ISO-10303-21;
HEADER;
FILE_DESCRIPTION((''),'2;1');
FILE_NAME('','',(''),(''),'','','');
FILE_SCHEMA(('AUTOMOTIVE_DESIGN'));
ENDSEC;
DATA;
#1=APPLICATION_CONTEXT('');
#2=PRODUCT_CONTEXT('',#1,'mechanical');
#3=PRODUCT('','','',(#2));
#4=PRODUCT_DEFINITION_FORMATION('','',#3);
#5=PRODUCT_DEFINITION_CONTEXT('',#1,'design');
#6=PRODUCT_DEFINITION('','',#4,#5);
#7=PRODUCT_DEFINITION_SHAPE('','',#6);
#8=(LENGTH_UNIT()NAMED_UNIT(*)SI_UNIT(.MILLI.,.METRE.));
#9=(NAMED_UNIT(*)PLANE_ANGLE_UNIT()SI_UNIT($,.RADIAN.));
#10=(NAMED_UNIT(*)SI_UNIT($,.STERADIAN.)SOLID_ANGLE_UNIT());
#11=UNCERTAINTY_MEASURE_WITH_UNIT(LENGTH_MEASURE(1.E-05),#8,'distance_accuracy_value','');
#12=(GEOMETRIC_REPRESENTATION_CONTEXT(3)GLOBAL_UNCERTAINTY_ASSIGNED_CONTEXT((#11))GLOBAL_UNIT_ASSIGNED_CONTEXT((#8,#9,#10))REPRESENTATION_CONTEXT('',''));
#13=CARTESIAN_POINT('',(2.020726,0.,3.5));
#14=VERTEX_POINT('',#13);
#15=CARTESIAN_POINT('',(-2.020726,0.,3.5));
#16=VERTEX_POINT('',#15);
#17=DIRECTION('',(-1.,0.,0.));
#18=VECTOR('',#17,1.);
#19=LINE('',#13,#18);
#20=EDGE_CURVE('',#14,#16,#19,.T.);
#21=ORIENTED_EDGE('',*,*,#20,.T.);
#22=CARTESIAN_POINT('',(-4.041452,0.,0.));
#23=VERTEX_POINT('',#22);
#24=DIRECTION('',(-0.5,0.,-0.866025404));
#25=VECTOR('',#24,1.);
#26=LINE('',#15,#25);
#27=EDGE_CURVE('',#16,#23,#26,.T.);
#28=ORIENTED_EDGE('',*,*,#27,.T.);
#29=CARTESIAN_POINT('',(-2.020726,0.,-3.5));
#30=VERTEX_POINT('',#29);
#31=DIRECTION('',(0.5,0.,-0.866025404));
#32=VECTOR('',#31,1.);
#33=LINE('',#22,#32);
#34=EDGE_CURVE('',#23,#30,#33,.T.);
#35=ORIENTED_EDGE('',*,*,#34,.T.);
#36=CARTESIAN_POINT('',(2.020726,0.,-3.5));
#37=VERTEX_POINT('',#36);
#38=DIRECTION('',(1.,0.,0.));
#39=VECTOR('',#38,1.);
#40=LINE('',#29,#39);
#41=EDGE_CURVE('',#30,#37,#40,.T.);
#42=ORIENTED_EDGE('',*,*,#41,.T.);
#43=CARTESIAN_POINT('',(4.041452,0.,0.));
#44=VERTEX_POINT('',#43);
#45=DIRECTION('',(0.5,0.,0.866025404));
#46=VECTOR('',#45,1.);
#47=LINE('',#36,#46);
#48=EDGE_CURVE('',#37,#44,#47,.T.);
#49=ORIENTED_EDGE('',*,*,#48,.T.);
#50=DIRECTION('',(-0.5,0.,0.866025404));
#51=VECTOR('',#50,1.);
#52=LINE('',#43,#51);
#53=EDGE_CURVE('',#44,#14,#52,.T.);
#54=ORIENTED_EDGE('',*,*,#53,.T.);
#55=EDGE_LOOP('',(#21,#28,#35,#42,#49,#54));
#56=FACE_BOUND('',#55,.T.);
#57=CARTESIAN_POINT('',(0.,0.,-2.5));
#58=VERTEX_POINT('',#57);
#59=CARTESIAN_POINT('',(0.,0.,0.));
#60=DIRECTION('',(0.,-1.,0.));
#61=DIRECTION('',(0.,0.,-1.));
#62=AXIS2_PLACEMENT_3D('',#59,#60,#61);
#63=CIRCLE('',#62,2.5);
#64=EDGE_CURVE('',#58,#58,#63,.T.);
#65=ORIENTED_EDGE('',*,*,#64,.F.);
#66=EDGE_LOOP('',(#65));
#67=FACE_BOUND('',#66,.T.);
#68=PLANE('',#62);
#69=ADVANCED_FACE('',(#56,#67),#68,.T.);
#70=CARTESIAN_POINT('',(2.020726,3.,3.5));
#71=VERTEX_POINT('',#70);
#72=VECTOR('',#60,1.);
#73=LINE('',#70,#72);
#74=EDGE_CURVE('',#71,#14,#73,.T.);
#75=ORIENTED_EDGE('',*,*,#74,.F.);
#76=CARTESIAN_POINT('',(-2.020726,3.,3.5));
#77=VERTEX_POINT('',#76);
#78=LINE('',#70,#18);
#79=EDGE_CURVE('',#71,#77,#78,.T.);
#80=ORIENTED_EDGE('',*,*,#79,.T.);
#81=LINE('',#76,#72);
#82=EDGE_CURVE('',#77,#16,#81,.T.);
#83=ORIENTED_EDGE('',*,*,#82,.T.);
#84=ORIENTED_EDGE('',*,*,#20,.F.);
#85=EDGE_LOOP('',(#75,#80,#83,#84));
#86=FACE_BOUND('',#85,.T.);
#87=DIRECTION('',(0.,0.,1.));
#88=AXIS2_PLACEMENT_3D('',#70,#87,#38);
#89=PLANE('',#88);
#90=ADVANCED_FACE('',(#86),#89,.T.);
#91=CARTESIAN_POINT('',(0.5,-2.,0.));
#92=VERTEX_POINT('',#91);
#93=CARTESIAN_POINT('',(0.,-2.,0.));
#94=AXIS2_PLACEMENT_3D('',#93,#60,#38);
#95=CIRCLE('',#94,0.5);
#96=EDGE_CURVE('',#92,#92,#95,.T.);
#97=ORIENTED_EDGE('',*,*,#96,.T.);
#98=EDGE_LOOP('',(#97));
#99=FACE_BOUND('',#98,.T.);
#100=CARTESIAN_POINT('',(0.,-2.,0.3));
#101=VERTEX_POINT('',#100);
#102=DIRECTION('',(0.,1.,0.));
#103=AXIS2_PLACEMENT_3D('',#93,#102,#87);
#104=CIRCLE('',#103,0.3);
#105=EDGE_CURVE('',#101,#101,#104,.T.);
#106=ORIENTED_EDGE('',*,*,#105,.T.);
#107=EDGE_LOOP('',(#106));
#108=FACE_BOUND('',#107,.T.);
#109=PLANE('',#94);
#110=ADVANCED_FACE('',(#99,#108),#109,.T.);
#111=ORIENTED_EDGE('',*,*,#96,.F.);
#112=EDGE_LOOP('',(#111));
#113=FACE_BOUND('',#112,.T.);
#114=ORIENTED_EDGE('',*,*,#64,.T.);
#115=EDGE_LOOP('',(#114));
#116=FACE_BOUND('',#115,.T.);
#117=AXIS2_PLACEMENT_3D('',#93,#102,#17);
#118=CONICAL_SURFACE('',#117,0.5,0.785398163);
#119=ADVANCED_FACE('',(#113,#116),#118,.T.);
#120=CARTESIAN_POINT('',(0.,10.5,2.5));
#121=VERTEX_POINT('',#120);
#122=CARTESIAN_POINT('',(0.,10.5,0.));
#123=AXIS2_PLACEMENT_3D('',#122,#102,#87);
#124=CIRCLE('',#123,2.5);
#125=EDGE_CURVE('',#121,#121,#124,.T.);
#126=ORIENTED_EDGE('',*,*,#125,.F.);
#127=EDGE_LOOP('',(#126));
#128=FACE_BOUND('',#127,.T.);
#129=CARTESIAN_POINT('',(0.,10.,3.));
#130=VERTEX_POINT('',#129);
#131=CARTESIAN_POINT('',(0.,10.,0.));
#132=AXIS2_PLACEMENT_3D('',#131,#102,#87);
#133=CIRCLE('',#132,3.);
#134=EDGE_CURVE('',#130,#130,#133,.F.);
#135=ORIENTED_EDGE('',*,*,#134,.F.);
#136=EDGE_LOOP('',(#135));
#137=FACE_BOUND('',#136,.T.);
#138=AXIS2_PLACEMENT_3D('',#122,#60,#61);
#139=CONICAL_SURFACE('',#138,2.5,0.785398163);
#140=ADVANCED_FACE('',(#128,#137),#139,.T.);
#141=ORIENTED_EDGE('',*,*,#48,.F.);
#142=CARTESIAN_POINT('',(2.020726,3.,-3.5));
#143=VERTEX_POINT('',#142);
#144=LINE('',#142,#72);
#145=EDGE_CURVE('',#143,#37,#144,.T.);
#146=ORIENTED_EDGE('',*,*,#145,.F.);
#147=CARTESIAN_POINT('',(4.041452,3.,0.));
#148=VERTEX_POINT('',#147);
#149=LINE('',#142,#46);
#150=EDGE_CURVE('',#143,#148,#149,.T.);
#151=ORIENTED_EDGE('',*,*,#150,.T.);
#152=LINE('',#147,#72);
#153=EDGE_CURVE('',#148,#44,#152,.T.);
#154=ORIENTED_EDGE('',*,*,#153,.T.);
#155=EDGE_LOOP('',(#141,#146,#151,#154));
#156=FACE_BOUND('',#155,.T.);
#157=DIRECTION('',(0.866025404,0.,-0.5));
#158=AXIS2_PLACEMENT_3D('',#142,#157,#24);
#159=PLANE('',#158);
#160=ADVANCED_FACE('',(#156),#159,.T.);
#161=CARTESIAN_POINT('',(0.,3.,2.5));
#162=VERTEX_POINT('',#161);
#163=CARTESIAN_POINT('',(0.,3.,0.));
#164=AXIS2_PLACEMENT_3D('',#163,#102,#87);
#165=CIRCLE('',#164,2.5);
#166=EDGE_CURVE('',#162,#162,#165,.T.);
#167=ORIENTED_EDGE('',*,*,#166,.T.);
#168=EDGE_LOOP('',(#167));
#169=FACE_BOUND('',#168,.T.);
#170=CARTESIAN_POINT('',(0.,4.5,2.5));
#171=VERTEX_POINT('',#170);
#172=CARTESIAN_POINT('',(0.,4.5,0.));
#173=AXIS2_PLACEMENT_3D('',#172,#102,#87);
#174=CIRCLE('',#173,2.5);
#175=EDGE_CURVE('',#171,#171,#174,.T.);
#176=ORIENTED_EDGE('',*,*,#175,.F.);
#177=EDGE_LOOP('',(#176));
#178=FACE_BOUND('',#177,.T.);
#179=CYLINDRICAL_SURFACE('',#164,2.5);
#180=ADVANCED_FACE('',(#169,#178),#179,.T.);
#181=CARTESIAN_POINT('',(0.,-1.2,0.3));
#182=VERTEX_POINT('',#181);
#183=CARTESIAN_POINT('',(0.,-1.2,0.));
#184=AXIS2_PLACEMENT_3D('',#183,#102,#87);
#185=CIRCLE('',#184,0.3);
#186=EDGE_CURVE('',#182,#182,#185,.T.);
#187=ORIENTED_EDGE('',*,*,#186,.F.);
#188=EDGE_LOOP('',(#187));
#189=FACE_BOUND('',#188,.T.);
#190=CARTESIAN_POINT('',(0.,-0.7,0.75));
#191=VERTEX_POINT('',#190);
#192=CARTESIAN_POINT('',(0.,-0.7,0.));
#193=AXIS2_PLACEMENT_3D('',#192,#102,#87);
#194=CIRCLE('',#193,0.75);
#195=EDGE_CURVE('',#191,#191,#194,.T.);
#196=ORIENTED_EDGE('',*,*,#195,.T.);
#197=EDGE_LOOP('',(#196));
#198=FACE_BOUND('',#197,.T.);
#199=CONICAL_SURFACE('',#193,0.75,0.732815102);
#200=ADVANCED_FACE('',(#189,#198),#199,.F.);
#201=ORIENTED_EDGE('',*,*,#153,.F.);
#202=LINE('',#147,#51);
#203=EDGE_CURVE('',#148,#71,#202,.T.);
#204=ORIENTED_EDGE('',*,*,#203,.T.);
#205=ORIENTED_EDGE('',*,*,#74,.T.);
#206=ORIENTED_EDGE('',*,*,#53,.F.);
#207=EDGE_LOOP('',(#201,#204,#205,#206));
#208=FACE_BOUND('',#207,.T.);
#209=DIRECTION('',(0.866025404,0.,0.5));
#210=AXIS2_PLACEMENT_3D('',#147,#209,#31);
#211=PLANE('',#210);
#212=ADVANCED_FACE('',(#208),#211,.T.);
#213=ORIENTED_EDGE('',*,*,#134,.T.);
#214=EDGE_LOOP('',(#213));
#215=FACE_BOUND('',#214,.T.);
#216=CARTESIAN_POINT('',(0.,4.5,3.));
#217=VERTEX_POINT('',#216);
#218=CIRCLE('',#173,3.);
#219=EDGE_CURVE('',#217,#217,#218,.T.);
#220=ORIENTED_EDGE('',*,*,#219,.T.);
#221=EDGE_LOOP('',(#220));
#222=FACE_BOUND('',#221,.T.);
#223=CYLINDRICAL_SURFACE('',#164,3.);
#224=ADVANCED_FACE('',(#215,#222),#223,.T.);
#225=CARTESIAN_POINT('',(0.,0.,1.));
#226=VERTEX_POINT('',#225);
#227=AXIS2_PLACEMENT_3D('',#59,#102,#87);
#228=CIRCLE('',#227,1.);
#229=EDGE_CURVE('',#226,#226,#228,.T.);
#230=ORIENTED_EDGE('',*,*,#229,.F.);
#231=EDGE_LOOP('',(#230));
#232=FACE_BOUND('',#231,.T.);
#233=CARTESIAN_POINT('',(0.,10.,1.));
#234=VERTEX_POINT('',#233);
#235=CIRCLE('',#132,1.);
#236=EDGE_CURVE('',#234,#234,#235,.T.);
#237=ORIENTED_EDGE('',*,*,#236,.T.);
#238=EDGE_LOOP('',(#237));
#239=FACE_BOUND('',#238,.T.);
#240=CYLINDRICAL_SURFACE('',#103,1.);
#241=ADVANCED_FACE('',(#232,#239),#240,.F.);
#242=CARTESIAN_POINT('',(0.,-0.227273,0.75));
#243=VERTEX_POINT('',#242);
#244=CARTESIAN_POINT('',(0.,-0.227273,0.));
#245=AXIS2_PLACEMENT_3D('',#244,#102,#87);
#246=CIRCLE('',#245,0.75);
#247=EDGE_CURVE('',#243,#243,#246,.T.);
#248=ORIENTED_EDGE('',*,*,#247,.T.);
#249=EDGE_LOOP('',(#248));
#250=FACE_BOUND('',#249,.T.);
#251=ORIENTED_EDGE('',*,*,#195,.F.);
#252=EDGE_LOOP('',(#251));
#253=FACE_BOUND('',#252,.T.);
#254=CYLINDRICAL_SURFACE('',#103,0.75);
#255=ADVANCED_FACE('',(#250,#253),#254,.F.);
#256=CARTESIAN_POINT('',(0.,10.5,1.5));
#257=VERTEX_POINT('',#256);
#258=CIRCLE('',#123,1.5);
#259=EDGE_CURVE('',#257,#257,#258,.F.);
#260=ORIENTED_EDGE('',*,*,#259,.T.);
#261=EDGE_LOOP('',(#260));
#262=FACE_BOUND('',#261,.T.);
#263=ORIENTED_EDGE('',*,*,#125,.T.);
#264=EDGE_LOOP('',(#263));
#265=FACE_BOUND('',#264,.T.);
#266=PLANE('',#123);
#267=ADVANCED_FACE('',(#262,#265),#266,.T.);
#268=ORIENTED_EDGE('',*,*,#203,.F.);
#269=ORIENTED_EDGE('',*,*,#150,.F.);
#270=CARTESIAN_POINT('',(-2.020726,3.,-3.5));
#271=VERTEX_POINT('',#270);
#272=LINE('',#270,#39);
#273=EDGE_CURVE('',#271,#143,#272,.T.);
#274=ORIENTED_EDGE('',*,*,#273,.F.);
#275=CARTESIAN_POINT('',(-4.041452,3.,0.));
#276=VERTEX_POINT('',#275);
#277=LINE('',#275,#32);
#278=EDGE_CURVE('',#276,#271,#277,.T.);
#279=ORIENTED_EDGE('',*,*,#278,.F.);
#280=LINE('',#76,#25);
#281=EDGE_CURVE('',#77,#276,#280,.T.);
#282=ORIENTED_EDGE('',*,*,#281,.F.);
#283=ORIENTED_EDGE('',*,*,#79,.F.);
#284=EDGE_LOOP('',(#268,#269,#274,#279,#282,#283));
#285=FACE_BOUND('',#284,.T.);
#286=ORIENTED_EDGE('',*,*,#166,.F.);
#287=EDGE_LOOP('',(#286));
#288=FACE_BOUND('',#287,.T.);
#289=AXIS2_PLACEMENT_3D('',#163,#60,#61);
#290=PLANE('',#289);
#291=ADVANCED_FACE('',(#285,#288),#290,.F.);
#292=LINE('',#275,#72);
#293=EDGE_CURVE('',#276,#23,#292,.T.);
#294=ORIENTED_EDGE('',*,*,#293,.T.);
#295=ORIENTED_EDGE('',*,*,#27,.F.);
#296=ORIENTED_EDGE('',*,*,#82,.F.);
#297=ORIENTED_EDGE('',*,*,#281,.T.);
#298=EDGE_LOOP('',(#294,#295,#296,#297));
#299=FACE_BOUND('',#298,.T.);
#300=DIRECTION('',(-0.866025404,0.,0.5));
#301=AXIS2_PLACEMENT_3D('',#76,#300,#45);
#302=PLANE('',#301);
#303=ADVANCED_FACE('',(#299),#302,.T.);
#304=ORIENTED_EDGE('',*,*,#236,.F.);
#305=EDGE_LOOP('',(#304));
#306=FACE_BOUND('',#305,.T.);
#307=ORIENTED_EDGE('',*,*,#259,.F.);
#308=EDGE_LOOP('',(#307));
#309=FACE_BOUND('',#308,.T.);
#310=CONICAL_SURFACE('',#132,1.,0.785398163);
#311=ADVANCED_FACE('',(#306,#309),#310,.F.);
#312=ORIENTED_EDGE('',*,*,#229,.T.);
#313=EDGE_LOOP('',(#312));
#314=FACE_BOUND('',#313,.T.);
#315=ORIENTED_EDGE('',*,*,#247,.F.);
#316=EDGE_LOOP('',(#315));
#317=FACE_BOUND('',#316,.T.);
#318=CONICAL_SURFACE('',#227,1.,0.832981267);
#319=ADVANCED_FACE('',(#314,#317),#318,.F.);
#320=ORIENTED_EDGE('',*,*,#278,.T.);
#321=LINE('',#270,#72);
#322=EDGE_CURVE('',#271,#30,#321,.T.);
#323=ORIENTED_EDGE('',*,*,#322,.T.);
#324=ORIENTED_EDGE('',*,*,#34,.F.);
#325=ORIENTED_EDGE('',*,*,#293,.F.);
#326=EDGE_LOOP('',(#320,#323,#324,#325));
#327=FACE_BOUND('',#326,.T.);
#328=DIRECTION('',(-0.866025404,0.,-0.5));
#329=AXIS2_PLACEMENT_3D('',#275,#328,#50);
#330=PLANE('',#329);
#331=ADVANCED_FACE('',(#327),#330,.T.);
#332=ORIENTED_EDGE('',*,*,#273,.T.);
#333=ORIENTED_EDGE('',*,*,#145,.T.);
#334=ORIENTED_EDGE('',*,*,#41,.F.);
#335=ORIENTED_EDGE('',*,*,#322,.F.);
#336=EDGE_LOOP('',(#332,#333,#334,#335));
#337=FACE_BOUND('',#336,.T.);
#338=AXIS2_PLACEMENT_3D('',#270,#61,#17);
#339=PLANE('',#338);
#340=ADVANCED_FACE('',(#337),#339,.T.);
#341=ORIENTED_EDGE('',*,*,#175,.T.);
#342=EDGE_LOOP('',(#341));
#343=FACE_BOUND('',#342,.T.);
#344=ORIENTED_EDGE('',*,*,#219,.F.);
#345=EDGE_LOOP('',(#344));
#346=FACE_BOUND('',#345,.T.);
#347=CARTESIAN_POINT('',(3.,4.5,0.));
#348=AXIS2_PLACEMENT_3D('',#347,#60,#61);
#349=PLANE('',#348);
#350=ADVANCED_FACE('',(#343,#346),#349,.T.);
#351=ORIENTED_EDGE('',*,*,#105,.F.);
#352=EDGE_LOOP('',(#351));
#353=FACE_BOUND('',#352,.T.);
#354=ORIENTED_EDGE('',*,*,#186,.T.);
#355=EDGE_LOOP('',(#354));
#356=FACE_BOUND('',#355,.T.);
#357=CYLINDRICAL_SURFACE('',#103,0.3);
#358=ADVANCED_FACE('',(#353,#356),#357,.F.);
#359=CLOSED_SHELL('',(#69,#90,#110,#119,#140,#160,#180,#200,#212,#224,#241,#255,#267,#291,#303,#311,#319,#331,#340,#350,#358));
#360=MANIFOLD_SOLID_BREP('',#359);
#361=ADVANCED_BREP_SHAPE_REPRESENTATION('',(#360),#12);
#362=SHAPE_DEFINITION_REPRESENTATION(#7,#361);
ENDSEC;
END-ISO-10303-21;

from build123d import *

# Parameters (mm, degrees)
BOSS_EXTRUDE1_DEPTH = 3
CHAMFER1_SIZE       = 0.5


with BuildPart() as part:
    # Sketch1 → Boss-Extrude1 (new body)
    with BuildSketch(Plane.XZ):
        Polygon((-2.020725942, 3.5), (-4.041451884, 0), (-2.020725942, -3.5), (2.020725942, -3.5), (4.041451884, 0), (2.020725942, 3.5), align=None)
    extrude(amount=-BOSS_EXTRUDE1_DEPTH)

    # Sketch2 → Revolve1 (revolve)
    with BuildSketch(Plane(origin=(0, 0, 0), x_dir=(-1, 0, 0), z_dir=(0, 0, -1))):
        Polygon((-2.5, 3), (0, 3), (0, 10.5), (-3, 10.5), (-3, 4.5), (-2.5, 4.5), align=None)
    revolve(axis=Axis((0, 3, 0), (0, 1, 0)))

    # Sketch3 → Revolve2 (revolve)
    with BuildSketch(Plane.XY):
        Polygon((2.5, 0), (0, 0), (0, -2), (0.5, -2), align=None)
    revolve(axis=Axis((0, 0, 0), (0, -1, 0)))

    # Sketch4 → Cut-Revolve1 (revolve, cut)
    with BuildSketch(Plane(origin=(0, 0, 0), x_dir=(-1, 0, 0), z_dir=(0, 0, -1))):
        Polygon((-0.3, -2), (0, -2), (0, 10.5), (-1, 10.5), (-1, 0), (-0.75, -0.227272727), (-0.75, -0.7), (-0.3, -1.2), align=None)
    revolve(axis=Axis((0, -2, 0), (0, 1, 0)), mode=Mode.SUBTRACT)

    # Chamfer1
    chamfer1_edges = [part.edges().sort_by_distance(p)[0] for p in [
        (-3, 10.5, 0),
        (-1, 10.5, 0),
    ]]
    chamfer(chamfer1_edges, length=CHAMFER1_SIZE)


solid = part.part
